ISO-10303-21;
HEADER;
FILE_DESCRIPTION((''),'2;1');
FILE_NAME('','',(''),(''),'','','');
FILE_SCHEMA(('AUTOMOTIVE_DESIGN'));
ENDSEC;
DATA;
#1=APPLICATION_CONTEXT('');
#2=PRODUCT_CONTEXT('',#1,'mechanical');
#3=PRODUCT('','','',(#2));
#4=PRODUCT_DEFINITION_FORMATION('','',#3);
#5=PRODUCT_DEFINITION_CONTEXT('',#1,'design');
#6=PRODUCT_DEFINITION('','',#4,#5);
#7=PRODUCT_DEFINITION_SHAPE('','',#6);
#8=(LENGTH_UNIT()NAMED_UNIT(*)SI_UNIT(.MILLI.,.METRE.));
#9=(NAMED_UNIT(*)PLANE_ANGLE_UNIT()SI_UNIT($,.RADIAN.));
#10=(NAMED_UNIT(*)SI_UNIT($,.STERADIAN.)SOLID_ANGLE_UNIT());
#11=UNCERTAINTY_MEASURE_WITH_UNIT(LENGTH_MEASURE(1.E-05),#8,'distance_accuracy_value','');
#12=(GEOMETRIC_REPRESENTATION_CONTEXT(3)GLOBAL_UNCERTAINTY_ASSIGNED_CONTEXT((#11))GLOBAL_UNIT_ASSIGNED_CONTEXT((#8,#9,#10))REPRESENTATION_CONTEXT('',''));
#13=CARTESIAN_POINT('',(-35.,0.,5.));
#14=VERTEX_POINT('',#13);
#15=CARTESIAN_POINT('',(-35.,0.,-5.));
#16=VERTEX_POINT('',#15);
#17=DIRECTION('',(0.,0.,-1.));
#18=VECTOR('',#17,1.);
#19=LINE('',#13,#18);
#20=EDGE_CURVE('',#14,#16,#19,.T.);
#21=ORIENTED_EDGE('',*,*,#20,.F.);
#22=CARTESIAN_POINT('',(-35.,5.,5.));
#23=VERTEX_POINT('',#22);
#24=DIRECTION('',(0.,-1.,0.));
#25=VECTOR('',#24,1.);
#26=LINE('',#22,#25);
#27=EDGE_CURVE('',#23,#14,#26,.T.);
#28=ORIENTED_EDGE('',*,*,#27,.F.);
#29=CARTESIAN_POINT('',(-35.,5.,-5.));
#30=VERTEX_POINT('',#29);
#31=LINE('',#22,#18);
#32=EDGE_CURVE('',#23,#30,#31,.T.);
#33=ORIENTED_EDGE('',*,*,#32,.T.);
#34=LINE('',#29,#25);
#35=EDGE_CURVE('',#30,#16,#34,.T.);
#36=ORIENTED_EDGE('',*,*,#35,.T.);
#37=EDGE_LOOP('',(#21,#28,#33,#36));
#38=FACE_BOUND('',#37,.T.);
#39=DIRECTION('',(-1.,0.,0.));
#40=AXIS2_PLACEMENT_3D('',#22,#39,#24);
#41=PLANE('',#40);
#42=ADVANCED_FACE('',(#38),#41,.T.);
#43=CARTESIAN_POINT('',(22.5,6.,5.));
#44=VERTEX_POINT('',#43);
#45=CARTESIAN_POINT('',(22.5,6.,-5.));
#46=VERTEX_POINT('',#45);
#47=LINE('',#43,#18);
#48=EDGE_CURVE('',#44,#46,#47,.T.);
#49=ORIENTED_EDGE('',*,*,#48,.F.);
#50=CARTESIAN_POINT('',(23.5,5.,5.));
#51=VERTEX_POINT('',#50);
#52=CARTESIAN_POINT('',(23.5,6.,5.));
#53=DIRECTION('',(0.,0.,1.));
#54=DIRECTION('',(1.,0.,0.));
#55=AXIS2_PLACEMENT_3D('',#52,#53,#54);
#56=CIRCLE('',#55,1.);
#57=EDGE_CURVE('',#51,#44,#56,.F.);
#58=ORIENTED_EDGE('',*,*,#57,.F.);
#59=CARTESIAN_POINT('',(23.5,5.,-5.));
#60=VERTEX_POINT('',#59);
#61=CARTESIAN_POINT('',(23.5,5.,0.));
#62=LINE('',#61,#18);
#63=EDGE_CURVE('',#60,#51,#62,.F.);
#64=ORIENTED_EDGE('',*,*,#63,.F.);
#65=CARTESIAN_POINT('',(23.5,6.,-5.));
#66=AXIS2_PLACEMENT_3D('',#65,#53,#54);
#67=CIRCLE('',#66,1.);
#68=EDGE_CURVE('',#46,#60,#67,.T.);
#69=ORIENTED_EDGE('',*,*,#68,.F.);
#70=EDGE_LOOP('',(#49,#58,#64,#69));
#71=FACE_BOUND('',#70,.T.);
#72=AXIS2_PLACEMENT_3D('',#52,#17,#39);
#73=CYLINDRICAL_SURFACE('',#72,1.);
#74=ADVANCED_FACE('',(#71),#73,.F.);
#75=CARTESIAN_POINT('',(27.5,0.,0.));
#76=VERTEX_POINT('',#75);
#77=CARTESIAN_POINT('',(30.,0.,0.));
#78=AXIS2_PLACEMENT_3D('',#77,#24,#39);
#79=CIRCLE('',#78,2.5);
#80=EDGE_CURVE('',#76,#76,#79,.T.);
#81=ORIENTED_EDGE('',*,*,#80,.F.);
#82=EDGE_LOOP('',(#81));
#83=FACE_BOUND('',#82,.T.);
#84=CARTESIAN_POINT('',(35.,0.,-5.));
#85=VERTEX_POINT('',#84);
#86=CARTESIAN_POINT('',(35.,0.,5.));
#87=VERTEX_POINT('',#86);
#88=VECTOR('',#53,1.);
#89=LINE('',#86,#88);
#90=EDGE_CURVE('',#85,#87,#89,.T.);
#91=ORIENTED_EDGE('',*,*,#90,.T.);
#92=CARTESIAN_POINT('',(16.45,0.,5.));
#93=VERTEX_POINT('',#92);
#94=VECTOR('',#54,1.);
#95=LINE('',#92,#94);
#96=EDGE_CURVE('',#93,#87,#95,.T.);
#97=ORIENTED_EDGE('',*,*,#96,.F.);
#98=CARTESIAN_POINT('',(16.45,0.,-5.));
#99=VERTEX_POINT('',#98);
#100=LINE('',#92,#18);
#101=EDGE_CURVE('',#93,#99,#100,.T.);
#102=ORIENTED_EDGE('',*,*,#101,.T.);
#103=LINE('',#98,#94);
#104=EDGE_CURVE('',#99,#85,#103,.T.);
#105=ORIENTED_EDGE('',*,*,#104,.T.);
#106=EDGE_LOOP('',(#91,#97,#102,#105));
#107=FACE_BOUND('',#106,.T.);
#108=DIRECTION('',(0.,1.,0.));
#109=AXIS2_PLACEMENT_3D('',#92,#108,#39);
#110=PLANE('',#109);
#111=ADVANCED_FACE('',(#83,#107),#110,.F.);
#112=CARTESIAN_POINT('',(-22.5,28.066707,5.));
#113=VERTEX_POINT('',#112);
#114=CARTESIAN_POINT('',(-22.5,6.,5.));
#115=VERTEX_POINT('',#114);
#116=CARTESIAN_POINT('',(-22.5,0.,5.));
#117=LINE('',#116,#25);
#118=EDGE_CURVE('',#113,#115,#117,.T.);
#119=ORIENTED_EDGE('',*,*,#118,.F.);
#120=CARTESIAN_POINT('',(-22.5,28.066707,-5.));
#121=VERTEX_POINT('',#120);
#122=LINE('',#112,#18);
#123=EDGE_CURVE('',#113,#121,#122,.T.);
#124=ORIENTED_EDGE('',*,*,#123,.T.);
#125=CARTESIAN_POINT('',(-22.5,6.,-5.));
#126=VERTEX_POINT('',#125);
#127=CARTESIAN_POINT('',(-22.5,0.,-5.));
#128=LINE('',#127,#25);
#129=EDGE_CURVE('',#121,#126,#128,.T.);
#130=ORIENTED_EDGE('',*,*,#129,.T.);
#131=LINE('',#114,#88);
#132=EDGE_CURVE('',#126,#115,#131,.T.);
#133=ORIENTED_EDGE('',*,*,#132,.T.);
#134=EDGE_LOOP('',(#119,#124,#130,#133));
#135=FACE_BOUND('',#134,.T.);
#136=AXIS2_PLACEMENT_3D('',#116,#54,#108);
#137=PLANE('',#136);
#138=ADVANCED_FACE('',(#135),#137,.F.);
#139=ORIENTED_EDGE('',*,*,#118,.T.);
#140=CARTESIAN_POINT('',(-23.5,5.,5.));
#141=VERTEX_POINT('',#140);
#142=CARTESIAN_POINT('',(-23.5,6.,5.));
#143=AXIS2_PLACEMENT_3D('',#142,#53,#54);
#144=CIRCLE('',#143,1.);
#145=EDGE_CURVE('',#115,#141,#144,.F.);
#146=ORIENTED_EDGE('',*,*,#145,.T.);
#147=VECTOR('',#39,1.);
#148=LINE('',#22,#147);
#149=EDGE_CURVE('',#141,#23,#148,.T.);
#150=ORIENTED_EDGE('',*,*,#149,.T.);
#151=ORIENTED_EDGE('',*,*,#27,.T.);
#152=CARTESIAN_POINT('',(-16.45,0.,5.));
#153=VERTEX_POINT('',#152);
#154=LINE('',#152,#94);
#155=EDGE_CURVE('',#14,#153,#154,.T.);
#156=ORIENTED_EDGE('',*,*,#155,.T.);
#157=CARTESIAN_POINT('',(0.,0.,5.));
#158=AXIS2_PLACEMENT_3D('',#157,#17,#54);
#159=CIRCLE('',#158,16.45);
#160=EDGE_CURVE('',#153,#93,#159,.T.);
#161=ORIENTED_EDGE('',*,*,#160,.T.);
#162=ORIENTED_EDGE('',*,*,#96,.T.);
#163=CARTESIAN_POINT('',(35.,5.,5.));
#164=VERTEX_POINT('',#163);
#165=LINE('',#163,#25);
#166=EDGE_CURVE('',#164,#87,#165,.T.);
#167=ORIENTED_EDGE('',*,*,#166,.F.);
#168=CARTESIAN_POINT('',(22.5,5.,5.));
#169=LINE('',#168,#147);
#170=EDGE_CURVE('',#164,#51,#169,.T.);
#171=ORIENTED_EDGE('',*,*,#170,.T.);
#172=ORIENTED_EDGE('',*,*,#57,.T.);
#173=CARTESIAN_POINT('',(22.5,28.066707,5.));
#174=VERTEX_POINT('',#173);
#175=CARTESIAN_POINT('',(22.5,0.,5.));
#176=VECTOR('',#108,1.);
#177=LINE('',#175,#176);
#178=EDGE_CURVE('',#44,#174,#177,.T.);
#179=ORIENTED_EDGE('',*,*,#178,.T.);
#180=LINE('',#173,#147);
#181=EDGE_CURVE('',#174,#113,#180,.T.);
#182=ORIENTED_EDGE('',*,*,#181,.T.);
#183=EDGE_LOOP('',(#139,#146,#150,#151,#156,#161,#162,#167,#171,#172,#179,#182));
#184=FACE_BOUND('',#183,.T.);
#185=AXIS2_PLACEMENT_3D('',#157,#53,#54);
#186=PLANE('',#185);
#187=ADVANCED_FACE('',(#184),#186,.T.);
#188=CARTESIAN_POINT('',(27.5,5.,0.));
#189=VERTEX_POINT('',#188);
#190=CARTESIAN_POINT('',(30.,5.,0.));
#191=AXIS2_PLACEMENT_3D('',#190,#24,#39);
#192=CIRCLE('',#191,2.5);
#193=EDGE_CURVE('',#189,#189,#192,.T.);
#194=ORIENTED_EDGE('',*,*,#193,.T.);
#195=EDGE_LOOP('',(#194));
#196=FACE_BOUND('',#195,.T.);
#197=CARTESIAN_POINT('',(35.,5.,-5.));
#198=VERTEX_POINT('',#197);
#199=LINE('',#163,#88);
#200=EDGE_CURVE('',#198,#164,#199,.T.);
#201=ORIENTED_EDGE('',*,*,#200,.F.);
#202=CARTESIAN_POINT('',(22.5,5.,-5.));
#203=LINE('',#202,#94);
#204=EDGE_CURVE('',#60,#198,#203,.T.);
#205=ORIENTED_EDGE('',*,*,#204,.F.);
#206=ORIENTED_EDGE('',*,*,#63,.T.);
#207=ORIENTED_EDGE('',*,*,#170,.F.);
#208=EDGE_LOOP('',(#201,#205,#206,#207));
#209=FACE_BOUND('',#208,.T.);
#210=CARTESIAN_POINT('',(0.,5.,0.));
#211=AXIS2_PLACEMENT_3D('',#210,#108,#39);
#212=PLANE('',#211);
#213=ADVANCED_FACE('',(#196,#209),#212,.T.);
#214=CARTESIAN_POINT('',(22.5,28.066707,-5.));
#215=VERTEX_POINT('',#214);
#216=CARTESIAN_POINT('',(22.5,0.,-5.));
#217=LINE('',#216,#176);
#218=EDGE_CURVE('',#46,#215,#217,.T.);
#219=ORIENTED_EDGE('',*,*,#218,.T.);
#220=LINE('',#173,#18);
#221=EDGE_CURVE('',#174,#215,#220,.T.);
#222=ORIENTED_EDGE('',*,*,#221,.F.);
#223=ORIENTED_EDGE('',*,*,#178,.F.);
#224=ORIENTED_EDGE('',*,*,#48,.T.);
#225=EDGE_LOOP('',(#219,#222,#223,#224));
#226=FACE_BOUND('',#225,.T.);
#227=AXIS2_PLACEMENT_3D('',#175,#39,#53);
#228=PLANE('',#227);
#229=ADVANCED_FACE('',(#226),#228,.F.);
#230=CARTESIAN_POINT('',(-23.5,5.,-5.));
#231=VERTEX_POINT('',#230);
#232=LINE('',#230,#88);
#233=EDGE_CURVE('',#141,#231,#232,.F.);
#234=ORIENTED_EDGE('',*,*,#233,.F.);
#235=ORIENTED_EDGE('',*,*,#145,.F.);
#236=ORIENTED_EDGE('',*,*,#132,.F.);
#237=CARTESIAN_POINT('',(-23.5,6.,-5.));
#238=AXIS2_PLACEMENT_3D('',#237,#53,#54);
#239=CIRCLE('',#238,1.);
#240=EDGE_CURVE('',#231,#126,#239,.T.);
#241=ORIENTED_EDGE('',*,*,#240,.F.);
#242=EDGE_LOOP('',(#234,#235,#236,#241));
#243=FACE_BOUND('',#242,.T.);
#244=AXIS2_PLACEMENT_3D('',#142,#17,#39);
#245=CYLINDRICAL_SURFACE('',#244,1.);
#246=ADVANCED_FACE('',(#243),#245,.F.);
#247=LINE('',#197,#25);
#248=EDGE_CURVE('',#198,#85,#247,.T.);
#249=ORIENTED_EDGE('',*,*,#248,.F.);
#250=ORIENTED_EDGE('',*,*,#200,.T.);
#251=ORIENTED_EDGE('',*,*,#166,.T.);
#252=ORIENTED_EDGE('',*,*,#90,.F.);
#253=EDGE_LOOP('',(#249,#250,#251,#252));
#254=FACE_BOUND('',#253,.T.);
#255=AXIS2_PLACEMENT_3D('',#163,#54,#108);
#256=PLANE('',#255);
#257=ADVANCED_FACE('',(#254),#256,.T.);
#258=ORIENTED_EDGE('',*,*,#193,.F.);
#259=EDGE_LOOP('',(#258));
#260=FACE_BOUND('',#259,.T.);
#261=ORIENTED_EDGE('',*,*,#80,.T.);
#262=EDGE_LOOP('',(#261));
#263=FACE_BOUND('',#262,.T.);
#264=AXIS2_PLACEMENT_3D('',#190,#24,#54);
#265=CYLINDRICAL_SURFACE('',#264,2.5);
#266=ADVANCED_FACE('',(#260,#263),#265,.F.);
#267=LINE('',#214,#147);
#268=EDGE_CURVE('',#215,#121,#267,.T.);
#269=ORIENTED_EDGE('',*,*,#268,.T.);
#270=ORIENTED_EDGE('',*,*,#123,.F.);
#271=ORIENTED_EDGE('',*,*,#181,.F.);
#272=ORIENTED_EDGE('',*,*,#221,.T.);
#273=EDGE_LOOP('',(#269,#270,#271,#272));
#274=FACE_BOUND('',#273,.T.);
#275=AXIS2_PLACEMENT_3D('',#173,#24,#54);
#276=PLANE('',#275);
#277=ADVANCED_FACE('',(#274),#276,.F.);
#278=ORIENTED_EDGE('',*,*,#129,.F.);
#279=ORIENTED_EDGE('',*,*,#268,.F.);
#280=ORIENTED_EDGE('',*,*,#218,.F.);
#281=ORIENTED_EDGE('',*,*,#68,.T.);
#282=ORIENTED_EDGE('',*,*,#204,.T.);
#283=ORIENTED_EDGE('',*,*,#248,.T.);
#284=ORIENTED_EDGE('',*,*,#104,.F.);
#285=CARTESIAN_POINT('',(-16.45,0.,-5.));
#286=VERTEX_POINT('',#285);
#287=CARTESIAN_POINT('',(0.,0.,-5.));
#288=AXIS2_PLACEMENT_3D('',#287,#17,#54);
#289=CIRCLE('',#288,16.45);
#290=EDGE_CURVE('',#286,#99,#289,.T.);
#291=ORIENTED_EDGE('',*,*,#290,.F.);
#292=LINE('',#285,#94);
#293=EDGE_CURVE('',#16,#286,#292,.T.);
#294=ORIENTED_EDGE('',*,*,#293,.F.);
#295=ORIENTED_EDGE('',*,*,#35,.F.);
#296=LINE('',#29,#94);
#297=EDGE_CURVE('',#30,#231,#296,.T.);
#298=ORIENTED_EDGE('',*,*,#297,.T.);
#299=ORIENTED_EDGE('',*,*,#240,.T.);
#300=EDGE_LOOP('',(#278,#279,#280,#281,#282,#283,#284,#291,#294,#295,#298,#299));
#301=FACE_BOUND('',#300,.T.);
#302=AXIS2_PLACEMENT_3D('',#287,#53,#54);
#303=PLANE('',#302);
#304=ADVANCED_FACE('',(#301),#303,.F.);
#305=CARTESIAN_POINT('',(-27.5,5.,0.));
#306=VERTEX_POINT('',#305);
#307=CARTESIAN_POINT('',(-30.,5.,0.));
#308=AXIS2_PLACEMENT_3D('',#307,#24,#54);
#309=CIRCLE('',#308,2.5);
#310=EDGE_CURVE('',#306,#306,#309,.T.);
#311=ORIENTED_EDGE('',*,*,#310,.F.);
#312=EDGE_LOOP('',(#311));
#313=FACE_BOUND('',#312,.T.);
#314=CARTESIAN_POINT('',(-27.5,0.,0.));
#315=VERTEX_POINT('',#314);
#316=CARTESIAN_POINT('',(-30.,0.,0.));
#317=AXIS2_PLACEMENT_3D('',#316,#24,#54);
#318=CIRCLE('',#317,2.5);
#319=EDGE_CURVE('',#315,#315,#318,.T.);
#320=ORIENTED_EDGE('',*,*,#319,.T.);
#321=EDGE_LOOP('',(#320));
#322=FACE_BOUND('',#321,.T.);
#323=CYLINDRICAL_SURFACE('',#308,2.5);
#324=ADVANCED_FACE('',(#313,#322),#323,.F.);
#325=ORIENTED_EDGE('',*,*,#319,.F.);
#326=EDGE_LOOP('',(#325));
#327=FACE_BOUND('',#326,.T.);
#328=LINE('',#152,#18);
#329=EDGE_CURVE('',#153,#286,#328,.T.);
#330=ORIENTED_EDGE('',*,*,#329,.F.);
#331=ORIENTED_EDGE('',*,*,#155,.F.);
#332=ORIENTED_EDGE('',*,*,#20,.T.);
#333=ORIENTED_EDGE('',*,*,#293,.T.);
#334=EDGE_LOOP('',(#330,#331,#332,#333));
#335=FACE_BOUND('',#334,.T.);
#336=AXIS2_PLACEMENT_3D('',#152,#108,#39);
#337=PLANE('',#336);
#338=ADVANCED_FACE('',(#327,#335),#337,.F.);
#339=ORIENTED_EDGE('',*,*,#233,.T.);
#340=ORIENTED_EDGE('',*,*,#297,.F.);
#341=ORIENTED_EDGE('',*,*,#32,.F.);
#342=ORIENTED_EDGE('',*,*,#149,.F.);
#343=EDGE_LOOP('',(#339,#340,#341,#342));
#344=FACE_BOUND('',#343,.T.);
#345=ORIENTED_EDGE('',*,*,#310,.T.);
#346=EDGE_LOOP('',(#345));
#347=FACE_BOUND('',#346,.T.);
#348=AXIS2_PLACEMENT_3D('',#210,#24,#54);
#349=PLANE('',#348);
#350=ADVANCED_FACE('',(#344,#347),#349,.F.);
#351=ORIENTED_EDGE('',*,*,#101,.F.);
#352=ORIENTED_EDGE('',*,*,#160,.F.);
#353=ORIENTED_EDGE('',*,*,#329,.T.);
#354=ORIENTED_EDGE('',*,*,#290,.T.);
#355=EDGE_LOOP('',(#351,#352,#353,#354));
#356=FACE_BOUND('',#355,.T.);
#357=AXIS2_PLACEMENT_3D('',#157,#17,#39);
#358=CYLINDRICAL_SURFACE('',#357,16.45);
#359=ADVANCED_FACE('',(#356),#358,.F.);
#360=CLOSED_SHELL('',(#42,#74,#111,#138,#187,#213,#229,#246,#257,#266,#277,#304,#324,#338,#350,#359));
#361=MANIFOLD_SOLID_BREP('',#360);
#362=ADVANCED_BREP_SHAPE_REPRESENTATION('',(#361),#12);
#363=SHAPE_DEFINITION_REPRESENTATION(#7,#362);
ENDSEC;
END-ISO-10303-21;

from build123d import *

# Parameters (mm, degrees)
EXTRUDE_1_DEPTH = 5
SKETCH_2_W      = 12.5
SKETCH_2_H      = 10
SKETCH_2_R      = 2.5
EXTRUDE_2_DEPTH = 5
FILLET_1_R      = 1


with BuildPart() as part:
    # 草图1 → 凸台-拉伸1 (new, symmetric)
    with BuildSketch(Plane.XY):
        with BuildLine():
            Line((16.45, 0), (22.5, 0))
            Line((22.5, 0), (22.5, 28.066706708))
            Line((22.5, 28.066706708), (-22.5, 28.066706708))
            Line((-22.5, 28.066706708), (-22.5, 0))
            Line((-22.5, 0), (-16.45, 0))
            ThreePointArc((-16.45, 0), (0, 16.45), (16.45, 0))
        make_face()
    extrude(amount=EXTRUDE_1_DEPTH, both=True)

    # 草图2 → 凸台-拉伸2 (add)
    # profile 1 of 2: a face of its own
    with BuildSketch(Plane.XZ):
        with Locations((-28.75, 0)):
            Rectangle(SKETCH_2_W, SKETCH_2_H)
        with Locations((-30, 0)):
            Circle(SKETCH_2_R, mode=Mode.SUBTRACT)
    # profile 2 of 2: a face of its own
    with BuildSketch(Plane.XZ):
        with Locations((28.75, 0)):
            Rectangle(SKETCH_2_W, SKETCH_2_H)
        with Locations(Location((30, 0, 0), (0, 0, 180))):
            Circle(SKETCH_2_R, mode=Mode.SUBTRACT)
    extrude(amount=-EXTRUDE_2_DEPTH)

    # 圆角1
    fillet_1_edges = [part.edges().sort_by_distance(p)[0] for p in [
        (22.5, 5, 0),
        (-22.5, 5, 0),
    ]]
    fillet(fillet_1_edges, radius=FILLET_1_R)


solid = part.part
